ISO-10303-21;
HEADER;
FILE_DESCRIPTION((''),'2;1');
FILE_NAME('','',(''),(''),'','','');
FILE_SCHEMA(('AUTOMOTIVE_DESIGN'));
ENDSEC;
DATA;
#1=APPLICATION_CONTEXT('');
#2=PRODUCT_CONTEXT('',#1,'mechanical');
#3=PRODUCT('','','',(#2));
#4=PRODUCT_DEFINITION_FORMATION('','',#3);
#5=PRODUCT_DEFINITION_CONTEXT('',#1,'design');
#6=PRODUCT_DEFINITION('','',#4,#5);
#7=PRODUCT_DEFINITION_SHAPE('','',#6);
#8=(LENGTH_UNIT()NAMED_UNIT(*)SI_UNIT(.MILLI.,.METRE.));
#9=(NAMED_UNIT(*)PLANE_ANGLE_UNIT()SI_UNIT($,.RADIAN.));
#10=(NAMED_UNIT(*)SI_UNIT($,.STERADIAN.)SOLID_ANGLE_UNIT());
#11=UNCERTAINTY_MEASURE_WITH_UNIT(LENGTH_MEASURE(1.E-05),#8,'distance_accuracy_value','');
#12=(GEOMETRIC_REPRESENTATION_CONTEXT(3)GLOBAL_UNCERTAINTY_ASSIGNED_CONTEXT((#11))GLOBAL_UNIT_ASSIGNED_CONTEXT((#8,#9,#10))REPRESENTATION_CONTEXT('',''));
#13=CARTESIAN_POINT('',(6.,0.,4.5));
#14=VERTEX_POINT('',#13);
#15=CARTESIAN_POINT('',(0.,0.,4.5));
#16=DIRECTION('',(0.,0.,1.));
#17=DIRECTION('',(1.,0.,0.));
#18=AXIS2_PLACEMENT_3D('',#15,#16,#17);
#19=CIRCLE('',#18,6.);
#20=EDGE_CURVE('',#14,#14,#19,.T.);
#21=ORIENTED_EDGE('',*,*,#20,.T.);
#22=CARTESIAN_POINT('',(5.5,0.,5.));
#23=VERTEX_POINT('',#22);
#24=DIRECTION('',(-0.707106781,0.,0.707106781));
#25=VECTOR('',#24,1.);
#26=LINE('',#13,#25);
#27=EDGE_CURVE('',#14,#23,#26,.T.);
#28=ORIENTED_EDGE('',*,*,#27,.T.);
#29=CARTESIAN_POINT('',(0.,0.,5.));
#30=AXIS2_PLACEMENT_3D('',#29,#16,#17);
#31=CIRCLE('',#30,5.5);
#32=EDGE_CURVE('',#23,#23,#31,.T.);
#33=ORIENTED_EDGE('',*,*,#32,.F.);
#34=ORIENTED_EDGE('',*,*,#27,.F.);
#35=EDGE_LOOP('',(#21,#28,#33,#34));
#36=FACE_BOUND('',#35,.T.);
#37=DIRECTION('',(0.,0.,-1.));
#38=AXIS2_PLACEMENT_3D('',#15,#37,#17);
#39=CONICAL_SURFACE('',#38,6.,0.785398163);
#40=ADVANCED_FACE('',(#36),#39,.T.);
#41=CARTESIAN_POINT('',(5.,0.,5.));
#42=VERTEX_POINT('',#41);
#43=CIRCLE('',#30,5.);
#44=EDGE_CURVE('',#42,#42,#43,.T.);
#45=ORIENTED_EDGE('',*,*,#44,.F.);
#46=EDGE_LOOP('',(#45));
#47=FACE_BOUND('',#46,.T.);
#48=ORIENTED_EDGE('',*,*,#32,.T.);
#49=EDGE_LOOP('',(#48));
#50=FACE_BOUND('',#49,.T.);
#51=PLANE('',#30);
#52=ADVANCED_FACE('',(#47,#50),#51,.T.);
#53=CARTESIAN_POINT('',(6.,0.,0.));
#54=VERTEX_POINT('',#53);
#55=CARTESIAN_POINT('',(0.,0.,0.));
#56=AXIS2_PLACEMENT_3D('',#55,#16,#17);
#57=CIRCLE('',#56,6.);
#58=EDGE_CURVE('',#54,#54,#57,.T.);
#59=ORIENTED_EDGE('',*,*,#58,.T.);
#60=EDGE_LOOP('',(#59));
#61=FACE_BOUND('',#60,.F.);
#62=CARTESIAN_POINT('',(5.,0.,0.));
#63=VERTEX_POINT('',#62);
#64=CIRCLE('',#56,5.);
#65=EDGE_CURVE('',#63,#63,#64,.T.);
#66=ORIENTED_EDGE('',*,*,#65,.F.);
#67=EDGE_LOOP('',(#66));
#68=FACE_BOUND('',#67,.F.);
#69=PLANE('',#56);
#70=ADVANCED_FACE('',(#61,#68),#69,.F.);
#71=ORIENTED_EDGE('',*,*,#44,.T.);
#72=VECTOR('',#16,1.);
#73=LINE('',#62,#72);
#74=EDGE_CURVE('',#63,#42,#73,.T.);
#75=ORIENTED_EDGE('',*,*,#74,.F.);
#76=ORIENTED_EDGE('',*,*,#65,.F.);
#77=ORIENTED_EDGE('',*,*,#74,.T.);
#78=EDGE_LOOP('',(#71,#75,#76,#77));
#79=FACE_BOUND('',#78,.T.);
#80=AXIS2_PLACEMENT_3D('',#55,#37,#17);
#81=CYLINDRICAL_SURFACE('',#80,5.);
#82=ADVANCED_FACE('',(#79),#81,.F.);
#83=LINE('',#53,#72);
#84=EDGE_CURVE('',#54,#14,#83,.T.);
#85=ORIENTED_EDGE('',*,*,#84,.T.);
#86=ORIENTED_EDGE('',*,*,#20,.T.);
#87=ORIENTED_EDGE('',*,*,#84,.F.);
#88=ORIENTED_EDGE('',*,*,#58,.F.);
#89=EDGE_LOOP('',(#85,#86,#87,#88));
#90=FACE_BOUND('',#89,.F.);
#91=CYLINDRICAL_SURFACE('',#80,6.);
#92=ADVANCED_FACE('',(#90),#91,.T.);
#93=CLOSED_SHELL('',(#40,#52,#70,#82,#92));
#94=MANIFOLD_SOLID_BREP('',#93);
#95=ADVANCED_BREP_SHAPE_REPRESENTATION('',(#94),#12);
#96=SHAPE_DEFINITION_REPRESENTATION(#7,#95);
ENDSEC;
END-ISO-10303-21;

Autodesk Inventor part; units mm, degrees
ref_plane "YZ Plane" through (0, 0, 0) normal (1, 0, 0) x (0, 1, 0)
ref_plane "XZ Plane" through (0, 0, 0) normal (0, 1, 0) x (-1, 0, 0)
ref_plane "XY Plane" through (0, 0, 0) normal (0, 0, 1) x (1, 0, 0)
sketch "スケッチ1" plane through (0, 0, 0) normal (0, 0, 1) x (1, 0, 0)
  circle A0 centre (0, 0) radius 6
  circle A1 centre (0, 0) radius 5
  dimension "d0" = 12
  dimension "d1" = 10
extrude "押し出し1" add sketch "スケッチ1" along normal blind 5
chamfer "面取り1" distance 0.5 angle 45 1 edges at (-6, 0, 5)
properties part number "オイレスw5f10-12n" material "アセタール樹脂、黒"
